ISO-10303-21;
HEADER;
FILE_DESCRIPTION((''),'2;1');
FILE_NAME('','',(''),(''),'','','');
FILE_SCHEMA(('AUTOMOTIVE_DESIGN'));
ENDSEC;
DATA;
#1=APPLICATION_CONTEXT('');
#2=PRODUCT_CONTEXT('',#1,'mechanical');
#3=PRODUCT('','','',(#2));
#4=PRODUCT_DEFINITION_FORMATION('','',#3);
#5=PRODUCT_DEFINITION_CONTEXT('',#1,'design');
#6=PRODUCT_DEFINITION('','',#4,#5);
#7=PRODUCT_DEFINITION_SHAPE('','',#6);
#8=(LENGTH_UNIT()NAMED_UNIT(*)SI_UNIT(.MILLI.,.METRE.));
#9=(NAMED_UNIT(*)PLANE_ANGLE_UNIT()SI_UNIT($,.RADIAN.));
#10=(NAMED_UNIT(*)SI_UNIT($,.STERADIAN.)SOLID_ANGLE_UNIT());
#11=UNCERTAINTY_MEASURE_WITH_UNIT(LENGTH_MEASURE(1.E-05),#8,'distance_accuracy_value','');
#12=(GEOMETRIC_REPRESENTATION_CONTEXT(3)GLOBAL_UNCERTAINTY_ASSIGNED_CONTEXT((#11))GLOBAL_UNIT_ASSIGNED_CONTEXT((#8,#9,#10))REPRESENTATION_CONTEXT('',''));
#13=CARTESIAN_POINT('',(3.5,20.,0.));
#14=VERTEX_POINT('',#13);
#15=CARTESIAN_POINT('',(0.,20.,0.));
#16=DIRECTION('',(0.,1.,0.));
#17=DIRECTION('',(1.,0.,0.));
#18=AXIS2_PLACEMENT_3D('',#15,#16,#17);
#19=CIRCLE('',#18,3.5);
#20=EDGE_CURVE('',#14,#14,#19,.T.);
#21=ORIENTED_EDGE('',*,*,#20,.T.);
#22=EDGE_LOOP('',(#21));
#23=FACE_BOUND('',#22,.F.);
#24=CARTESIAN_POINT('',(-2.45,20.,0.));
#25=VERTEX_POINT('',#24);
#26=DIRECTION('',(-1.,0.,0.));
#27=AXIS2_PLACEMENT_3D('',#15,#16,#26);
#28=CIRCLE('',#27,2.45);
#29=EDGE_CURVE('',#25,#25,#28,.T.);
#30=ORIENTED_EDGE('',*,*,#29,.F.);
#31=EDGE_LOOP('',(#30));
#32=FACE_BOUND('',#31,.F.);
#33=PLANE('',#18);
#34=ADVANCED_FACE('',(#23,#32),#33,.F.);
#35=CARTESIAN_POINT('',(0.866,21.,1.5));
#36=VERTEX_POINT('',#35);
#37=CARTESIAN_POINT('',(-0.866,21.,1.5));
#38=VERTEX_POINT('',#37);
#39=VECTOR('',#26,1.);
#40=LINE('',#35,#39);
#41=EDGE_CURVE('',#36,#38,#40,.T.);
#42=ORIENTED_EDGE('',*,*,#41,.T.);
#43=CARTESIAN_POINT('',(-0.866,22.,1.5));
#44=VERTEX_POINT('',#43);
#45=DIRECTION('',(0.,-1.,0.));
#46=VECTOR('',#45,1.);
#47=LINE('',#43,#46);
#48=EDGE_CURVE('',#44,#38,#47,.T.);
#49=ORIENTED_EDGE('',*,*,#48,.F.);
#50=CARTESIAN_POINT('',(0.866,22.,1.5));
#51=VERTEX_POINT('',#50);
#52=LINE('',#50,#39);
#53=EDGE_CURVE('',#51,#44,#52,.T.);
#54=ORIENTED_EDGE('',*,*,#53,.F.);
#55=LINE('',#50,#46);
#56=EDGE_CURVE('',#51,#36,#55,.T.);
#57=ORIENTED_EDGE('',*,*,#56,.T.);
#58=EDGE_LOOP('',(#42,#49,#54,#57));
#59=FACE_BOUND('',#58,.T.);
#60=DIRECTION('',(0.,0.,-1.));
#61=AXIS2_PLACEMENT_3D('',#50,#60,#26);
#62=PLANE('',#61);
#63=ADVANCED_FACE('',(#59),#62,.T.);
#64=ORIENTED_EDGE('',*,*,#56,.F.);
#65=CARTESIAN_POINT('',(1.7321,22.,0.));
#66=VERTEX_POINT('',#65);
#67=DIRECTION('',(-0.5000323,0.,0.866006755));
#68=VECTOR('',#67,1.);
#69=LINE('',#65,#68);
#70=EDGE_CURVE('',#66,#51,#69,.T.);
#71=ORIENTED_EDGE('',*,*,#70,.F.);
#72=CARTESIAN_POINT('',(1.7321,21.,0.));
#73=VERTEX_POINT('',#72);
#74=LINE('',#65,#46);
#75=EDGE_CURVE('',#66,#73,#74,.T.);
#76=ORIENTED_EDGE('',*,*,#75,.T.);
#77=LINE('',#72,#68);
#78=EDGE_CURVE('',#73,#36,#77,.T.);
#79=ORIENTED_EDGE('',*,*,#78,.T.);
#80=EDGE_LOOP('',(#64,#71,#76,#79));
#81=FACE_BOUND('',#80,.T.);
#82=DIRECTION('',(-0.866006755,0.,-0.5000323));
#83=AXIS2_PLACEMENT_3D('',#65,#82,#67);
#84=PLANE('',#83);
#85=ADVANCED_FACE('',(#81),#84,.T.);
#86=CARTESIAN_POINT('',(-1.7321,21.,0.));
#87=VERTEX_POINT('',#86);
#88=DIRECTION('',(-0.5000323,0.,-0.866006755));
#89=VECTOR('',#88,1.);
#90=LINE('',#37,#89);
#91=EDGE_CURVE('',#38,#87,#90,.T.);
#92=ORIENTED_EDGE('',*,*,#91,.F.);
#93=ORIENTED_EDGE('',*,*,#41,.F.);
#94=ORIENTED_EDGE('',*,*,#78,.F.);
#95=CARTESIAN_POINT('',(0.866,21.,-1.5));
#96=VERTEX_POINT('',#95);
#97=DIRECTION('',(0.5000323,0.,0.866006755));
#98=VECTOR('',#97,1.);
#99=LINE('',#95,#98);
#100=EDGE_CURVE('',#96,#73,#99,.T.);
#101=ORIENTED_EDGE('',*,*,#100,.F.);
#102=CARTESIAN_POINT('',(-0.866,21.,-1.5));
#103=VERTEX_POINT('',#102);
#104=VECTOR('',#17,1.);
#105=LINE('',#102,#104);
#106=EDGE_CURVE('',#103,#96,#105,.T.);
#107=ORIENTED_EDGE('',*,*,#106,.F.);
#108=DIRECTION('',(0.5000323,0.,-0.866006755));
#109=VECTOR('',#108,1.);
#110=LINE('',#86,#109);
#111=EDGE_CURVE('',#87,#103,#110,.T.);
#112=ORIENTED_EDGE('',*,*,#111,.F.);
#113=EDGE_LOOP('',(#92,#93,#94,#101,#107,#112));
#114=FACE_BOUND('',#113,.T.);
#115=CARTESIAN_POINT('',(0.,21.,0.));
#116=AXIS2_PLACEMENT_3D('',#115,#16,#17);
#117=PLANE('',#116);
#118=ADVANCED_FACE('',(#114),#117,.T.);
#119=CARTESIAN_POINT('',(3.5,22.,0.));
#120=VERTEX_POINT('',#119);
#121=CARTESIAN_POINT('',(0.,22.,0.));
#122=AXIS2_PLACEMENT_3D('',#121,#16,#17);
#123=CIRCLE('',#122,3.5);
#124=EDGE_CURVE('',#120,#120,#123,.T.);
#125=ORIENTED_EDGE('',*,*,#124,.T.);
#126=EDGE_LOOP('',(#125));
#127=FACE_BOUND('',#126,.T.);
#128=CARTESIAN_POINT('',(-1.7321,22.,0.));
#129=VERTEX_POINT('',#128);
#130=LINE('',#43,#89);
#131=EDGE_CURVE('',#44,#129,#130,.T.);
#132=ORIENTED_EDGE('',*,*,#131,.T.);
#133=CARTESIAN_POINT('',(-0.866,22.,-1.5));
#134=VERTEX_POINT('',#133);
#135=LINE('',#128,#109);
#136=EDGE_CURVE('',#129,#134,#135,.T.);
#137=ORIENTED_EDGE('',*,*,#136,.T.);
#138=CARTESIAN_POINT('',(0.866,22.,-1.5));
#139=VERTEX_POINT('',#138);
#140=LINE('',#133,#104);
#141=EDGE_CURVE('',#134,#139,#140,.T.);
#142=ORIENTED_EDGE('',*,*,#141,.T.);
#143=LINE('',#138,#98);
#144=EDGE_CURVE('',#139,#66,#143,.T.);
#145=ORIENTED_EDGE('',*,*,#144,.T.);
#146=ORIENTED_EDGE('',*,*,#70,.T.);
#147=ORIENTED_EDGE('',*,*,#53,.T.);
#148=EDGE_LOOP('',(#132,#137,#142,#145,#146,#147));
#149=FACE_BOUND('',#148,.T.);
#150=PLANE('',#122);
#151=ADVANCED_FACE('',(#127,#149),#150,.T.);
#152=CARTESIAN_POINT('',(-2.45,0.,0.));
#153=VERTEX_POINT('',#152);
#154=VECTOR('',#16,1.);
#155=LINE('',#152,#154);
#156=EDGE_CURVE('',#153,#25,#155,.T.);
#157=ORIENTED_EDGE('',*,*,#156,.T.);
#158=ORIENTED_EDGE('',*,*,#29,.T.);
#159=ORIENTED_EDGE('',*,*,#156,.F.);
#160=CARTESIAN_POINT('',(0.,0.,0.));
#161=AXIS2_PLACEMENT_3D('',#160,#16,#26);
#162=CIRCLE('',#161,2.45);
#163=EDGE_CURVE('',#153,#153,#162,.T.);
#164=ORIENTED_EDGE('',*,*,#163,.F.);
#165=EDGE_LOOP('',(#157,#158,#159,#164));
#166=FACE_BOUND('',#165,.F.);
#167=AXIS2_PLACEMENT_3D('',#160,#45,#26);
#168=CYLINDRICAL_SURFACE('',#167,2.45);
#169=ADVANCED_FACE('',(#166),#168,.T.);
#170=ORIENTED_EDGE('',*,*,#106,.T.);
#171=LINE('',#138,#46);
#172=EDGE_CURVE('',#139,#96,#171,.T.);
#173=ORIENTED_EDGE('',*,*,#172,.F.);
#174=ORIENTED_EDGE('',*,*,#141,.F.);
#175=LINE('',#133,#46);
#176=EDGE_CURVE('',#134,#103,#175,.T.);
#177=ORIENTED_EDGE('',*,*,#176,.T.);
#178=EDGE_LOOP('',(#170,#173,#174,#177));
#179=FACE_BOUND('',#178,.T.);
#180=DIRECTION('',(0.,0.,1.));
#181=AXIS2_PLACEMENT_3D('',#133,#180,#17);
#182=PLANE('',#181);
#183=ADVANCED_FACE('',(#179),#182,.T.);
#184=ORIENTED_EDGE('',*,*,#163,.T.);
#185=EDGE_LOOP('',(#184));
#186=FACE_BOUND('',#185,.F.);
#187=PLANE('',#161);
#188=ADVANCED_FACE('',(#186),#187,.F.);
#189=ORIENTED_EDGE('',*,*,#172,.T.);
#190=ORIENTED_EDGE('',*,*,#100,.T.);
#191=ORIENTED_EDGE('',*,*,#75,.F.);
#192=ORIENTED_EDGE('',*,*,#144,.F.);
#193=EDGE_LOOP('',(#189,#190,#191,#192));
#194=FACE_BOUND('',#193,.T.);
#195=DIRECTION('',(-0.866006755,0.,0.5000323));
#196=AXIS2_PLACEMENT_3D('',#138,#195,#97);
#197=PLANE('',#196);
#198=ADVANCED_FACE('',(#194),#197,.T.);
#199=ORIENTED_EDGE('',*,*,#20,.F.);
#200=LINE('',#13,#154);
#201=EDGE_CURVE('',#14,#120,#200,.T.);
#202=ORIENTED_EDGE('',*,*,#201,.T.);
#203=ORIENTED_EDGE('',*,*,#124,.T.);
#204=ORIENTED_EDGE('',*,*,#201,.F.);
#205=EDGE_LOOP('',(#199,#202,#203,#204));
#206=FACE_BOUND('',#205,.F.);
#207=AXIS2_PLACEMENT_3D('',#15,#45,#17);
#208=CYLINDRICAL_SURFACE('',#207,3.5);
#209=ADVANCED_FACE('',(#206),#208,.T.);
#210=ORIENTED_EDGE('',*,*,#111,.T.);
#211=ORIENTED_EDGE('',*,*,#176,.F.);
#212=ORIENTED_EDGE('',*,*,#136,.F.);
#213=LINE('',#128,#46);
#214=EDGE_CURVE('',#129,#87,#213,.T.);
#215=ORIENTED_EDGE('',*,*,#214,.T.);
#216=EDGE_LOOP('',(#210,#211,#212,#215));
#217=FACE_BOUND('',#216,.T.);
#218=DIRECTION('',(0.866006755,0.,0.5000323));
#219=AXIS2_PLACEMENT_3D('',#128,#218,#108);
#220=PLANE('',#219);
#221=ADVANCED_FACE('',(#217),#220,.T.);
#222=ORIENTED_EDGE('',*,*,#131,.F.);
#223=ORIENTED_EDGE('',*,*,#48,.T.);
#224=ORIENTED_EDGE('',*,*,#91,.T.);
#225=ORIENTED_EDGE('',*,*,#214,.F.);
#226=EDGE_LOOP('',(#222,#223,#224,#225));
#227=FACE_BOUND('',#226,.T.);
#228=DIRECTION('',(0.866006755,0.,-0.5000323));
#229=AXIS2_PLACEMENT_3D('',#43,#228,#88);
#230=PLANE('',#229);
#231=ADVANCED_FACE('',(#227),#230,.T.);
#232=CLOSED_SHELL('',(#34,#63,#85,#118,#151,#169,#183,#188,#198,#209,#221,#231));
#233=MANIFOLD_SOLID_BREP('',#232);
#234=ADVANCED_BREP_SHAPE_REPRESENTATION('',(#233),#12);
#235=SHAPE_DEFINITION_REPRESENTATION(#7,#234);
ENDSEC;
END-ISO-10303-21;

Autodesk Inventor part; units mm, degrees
ref_plane "YZ Plane" through (0, 0, 0) normal (1, 0, 0) x (0, 1, 0)
ref_plane "XZ Plane" through (0, 0, 0) normal (0, 1, 0) x (-1, 0, 0)
ref_plane "XY Plane" through (0, 0, 0) normal (0, 0, 1) x (1, 0, 0)
sketch "Sketch1" plane through (0, 0, 0) normal (0, 1, 0) x (-1, 0, 0)
  circle A0 centre (0, 0) radius 2.45
  dimension "d0" = 4.9
extrude "Extrusion1" add sketch "Sketch1" along normal blind 20
sketch "Sketch2" plane through (0, 20, 0) normal (0, 1, 0) x (1, 0, 0)
  circle A0 centre (0, 0) radius 3.5
  dimension "d3" = 7
extrude "Extrusion2" add sketch "Sketch2" along normal blind 2
thread "Thread1" size "M5x0.8" class "6g" standard "ANSI Metric M Profile" full length
sketch "Sketch3" plane through (0, 22, 0) normal (0, 1, 0) x (1, 0, 0)
  line L0 (0.866, 1.5) -> (1.7321, 0)
  line L1 (1.7321, 0) -> (0.866, -1.5)
  line L2 (0.866, -1.5) -> (-0.866, -1.5)
  line L3 (-0.866, -1.5) -> (-1.7321, 0)
  line L4 (-1.7321, 0) -> (-0.866, 1.5)
  line L5 (-0.866, 1.5) -> (0.866, 1.5)
  point P0 (0, 0)
  point P1 (0, 0)
  dimension "d8" = 3
extrude "Extrusion3" cut sketch "Sketch3" against normal blind 1
equation "\"BendRadius\" = Thickness"
equation "\"BendReliefWidth\" = Thickness"
equation "\"BendReliefDepth\" = 0.5 * Thickness"
equation "\"CornerReliefSize\" = 4 * Thickness"
equation "\"MinimumRemnant\" = 2 * Thickness"
equation "\"TransitionRadius\" = BendRadius"
equation "\"JacobiRadiusSize\" = BendRadius"
equation "\"GapSize\" = Thickness"
equation "\"Thickness\" = 0.5"
properties part number "perno_simple"
